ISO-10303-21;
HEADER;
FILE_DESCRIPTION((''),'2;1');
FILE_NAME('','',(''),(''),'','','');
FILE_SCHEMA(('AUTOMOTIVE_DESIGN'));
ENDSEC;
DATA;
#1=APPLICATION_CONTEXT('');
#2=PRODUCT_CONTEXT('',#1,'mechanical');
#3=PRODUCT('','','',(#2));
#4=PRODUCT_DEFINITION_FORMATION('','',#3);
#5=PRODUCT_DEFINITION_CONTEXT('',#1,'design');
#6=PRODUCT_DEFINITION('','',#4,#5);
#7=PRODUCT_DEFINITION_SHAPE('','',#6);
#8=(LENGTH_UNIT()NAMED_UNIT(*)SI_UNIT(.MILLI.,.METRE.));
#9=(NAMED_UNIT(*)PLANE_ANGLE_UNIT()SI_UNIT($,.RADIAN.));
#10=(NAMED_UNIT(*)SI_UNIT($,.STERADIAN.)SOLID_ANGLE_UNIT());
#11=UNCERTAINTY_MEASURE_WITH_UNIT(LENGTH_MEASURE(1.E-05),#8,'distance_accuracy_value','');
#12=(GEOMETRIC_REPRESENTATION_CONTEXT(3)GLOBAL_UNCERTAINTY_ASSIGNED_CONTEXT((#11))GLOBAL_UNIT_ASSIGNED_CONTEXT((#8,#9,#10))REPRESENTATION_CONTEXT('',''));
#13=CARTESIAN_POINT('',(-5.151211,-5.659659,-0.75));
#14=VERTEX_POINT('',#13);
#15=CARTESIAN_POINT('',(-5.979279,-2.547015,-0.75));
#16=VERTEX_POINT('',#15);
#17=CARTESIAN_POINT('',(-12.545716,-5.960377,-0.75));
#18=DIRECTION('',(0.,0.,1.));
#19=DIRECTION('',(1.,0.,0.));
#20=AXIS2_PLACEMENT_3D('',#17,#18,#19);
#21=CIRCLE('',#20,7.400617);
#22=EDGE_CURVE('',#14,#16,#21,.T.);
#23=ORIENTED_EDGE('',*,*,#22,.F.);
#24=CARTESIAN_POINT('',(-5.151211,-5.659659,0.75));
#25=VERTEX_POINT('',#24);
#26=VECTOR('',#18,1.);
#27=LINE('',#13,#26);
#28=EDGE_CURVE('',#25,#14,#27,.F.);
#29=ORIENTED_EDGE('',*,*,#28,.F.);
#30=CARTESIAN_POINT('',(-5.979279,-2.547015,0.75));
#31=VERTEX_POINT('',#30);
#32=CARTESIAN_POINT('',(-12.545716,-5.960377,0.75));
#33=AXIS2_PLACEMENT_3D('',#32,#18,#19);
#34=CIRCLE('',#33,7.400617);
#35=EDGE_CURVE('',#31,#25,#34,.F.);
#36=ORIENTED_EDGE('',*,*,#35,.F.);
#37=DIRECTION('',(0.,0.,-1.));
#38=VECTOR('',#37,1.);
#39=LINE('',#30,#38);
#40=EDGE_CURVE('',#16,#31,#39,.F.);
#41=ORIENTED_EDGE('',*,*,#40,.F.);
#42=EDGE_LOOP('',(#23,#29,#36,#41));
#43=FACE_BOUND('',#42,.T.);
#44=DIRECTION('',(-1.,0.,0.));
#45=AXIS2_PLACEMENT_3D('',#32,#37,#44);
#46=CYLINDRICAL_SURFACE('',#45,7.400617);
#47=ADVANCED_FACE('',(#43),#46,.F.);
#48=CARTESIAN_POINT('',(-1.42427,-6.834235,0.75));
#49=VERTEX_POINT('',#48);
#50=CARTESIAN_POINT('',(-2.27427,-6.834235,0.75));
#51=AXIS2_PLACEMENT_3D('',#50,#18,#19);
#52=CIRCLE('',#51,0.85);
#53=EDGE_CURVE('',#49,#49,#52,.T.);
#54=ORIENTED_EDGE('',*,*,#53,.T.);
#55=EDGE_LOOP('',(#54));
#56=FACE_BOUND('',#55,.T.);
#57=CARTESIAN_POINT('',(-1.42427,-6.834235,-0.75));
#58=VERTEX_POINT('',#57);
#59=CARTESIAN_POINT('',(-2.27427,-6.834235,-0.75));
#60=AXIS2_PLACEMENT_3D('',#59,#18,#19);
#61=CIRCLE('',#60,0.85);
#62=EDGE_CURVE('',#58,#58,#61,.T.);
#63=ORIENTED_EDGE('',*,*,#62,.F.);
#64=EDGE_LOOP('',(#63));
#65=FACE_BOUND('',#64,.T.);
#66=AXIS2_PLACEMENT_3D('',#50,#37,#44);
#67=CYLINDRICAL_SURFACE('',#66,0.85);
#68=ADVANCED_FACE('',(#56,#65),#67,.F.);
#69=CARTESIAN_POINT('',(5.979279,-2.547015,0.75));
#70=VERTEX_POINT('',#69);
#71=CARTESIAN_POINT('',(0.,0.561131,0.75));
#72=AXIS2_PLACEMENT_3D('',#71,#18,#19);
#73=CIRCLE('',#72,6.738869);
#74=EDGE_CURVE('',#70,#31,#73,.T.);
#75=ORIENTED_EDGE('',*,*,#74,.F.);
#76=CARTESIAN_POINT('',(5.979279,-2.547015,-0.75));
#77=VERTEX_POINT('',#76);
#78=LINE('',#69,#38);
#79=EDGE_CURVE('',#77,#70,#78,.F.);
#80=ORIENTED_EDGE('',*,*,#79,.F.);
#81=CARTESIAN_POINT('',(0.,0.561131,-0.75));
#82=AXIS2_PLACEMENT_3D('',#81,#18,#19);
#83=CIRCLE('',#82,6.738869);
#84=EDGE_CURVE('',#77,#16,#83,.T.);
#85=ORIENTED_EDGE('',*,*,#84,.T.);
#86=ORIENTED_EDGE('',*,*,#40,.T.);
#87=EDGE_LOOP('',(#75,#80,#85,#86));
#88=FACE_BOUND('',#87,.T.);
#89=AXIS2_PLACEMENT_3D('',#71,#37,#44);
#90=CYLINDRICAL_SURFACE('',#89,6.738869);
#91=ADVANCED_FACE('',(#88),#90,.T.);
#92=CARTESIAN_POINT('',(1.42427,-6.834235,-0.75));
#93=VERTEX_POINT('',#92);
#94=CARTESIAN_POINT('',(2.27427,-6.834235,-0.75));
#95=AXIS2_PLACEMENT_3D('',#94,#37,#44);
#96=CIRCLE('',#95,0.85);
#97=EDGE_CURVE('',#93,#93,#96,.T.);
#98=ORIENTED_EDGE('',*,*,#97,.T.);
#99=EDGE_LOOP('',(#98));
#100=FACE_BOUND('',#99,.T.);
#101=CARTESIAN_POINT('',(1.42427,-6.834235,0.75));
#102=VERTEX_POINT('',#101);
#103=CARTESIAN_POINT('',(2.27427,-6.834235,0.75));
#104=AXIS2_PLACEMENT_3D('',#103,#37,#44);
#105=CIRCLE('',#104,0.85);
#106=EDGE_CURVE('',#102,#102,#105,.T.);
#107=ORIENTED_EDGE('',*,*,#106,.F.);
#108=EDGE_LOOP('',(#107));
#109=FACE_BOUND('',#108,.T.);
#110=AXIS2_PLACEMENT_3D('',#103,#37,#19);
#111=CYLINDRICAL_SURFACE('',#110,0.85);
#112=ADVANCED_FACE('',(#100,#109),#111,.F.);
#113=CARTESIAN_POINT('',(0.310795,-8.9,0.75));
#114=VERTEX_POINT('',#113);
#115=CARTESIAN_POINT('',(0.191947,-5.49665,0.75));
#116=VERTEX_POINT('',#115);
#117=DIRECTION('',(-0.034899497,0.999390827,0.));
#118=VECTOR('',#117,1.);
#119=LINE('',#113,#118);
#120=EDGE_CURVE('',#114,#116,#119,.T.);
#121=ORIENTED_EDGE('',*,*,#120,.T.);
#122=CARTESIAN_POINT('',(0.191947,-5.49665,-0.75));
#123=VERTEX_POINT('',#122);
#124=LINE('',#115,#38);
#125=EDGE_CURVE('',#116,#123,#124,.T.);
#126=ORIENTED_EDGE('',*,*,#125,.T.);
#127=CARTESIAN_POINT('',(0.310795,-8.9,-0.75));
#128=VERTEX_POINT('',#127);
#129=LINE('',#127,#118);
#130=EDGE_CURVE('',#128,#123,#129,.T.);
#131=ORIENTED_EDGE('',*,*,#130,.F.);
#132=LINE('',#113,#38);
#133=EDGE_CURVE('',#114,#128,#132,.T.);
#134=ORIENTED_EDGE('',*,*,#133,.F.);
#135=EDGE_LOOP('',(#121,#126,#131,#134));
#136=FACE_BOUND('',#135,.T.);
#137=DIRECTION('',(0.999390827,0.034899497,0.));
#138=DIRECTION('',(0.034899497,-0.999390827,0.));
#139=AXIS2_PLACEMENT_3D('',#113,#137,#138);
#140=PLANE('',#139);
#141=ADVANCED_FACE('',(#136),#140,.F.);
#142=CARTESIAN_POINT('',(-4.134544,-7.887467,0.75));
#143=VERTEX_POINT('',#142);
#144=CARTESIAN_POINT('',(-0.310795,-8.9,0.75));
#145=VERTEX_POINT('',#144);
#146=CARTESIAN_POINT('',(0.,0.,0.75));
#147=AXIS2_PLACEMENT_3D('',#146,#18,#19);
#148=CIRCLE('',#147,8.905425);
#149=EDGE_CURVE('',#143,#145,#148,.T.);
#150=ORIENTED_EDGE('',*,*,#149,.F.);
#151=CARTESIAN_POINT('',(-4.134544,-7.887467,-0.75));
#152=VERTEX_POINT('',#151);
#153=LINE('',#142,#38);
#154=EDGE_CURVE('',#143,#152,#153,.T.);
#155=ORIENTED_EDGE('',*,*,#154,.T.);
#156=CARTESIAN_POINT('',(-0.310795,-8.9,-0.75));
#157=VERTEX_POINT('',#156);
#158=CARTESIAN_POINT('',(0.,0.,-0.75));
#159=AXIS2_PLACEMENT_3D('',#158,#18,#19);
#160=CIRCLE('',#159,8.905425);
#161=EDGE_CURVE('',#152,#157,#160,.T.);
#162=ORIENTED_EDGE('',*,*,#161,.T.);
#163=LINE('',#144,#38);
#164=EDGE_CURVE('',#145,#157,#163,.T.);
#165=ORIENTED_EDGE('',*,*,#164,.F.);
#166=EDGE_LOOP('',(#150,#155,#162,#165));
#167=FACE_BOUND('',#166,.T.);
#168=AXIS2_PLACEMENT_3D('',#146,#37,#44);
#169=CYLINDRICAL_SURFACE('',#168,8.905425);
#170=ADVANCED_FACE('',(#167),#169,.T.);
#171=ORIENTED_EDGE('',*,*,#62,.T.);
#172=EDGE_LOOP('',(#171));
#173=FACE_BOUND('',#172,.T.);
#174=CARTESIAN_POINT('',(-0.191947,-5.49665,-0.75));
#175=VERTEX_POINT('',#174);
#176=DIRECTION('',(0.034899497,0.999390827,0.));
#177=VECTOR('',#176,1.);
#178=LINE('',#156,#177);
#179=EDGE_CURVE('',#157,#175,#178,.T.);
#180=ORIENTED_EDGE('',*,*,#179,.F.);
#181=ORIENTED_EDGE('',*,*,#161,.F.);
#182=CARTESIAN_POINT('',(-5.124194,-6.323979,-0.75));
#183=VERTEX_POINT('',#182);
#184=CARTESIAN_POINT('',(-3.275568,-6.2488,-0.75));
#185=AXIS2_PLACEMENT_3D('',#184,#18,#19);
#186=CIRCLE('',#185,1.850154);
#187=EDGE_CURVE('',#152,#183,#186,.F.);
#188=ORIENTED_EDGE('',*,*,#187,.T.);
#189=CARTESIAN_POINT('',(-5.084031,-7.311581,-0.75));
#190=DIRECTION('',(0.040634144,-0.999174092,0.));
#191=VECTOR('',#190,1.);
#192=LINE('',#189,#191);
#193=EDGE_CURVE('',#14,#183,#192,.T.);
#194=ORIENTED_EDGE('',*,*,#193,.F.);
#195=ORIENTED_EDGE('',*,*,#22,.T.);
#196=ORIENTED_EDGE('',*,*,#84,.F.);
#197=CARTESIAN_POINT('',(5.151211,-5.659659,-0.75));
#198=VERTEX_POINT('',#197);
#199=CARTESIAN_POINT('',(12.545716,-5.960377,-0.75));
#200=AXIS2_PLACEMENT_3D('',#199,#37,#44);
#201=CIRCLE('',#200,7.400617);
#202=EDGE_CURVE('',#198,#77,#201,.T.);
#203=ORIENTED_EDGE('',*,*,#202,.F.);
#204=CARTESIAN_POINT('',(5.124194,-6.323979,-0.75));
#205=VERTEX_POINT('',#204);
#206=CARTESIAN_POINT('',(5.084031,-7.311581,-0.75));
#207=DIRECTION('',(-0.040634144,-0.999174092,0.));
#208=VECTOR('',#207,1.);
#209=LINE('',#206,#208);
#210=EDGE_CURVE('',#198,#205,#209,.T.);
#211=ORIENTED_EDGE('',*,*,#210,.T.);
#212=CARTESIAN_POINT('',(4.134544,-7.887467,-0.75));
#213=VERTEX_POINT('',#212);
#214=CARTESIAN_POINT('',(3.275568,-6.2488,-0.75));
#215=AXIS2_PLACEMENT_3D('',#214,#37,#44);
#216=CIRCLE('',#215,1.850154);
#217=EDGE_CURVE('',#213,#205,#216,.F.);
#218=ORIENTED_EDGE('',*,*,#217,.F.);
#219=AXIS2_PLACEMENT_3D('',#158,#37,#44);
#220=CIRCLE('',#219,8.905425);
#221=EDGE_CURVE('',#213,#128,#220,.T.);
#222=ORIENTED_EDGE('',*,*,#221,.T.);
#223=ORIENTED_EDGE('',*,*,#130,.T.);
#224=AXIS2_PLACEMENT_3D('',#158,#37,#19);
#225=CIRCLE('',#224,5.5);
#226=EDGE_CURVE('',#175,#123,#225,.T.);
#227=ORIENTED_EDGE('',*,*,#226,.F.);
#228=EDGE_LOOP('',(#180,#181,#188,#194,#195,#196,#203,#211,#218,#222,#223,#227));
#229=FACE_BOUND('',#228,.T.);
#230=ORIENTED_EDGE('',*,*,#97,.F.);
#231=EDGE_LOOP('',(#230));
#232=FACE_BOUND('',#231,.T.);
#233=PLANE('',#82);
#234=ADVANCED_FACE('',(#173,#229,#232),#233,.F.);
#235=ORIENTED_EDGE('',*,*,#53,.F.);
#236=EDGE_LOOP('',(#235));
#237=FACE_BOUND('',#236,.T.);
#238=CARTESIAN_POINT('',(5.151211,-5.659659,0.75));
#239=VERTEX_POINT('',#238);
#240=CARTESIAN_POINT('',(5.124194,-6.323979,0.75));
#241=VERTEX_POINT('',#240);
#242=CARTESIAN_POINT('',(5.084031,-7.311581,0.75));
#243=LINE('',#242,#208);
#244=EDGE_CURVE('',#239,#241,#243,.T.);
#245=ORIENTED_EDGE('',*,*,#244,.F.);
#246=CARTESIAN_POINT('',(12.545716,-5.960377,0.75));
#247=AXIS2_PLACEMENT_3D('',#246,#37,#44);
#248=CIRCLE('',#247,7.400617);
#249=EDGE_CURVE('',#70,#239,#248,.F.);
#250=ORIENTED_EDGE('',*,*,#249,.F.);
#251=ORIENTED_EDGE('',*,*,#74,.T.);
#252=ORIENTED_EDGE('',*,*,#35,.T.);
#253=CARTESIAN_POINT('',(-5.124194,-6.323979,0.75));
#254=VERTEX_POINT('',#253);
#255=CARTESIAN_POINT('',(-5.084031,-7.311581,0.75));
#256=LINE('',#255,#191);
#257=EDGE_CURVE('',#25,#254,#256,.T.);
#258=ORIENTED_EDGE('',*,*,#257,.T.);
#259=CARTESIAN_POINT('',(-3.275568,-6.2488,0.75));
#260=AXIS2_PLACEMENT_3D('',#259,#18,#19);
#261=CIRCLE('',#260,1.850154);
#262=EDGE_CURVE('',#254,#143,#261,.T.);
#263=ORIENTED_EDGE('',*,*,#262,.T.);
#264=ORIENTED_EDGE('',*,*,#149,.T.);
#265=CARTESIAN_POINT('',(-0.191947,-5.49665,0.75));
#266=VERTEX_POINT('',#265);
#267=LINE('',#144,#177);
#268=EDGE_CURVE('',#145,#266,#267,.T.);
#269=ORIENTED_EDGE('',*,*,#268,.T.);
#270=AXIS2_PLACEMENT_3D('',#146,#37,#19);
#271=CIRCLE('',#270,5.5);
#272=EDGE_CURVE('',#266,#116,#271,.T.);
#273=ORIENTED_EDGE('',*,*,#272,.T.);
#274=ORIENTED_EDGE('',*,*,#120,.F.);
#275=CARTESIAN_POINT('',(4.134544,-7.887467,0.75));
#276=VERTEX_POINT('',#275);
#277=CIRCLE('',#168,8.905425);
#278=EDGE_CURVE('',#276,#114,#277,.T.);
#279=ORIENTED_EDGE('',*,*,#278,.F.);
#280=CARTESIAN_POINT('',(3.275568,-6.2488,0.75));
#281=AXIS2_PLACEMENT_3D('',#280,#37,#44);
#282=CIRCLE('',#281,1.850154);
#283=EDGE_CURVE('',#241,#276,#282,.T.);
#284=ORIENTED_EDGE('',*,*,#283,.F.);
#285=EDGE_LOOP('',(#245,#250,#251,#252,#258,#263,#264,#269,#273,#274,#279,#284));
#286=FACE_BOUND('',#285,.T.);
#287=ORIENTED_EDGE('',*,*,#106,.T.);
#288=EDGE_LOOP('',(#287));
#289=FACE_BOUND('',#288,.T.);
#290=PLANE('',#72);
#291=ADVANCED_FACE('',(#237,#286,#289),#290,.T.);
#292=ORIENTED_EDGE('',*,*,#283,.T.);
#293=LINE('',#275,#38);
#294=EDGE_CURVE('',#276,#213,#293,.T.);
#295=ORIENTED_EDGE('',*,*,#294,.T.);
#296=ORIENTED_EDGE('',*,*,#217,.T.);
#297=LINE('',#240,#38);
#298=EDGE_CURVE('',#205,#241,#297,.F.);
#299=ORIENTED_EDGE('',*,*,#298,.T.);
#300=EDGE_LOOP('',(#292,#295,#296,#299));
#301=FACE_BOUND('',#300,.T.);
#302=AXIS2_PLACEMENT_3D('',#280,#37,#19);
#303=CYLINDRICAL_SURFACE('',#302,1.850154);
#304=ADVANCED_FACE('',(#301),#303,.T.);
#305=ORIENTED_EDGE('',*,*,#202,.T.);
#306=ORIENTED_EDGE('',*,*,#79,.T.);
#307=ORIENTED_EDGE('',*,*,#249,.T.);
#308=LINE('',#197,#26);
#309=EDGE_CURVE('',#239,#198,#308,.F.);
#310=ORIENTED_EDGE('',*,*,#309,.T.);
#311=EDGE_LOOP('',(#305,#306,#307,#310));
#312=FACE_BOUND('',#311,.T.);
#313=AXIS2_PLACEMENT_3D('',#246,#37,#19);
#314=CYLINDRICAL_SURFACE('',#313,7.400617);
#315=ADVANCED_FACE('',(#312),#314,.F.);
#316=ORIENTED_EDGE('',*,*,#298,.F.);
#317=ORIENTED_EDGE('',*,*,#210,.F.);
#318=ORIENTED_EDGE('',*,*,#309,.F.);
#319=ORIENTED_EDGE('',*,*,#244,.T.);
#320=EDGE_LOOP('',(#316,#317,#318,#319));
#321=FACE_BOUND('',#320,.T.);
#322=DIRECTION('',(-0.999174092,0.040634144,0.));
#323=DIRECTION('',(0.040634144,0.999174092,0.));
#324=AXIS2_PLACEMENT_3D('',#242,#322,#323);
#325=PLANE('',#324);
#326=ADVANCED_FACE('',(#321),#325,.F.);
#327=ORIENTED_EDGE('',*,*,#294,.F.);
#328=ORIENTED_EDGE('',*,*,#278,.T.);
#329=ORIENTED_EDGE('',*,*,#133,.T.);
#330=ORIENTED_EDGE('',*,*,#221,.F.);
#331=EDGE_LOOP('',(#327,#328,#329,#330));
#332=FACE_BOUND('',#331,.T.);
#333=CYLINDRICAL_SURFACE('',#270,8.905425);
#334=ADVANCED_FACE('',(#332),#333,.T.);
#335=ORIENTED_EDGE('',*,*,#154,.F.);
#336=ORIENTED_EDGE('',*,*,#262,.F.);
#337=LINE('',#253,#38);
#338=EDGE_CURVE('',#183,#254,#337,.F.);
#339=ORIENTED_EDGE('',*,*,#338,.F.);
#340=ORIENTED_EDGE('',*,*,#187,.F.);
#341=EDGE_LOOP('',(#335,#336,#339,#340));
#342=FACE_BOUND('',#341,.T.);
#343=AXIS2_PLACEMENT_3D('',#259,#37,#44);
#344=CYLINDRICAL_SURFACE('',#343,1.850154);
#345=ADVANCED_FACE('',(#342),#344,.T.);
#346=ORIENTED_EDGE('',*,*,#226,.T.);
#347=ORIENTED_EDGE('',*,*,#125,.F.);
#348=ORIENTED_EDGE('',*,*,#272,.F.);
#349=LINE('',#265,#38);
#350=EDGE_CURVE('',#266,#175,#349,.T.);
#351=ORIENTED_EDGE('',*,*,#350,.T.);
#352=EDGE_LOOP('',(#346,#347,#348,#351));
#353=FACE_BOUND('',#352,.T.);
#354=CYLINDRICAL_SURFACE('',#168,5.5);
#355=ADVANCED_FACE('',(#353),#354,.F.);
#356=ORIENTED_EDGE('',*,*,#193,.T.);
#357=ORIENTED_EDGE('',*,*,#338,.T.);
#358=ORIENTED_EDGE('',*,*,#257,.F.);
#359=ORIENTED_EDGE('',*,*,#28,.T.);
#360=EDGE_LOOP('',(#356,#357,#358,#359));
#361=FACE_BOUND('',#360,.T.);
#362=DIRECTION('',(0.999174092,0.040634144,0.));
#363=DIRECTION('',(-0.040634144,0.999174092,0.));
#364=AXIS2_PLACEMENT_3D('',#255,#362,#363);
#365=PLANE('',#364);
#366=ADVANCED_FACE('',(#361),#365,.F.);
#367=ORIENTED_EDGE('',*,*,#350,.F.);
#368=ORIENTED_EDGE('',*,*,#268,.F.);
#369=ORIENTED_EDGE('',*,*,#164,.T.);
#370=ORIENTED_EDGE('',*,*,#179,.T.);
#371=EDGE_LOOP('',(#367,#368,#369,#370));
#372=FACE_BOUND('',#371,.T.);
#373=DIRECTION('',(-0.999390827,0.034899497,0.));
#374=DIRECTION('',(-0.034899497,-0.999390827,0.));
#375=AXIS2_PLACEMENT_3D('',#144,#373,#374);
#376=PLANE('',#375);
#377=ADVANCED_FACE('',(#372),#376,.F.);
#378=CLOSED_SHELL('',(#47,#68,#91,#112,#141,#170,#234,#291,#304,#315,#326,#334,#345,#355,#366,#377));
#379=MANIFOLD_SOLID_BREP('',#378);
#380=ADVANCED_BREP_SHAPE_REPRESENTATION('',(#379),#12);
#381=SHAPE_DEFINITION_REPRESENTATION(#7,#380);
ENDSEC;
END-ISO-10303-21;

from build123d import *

# Parameters (mm, degrees)
SKETCH2_R           = 0.85
BOSS_EXTRUDE1_DEPTH = 0.75
FILLET1_R           = 7.400617123
FILLET2_R           = 1.850154281


with BuildPart() as part:
    # Sketch2 → Boss-Extrude1 (new body, symmetric)
    with BuildSketch(Plane.XY):
        with BuildLine():
            Line((-5.084030917, -7.311581435), (-5.231445397, -3.68673013))
            ThreePointArc((-5.231445397, -3.68673013), (-6.08432946, 3.458247986), (0, 7.3))
            Line((0, 7.3), (0, 5.5))
            ThreePointArc((0, 5.5), (-5.499162323, 0.095988235), (-0.191947232, -5.496649549))
            Line((-0.191947232, -5.496649549), (-0.310794848, -8.9))
            ThreePointArc((-0.310794848, -8.9), (-2.811904096, -8.449839572), (-5.084030917, -7.311581435))
        make_face()
        with Locations((-2.274269541, -6.834234779)):
            Circle(SKETCH2_R, mode=Mode.SUBTRACT)
    extrude(amount=BOSS_EXTRUDE1_DEPTH, both=True)

    # Fillet1
    fillet1_edges = [part.edges().sort_by_distance(p)[0] for p in [
        (-5.231445397, -3.68673013, 0),
    ]]
    fillet(fillet1_edges, radius=FILLET1_R)

    # Fillet2
    fillet2_edges = [part.edges().sort_by_distance(p)[0] for p in [
        (-5.084030917, -7.311581435, 0),
    ]]
    fillet(fillet2_edges, radius=FILLET2_R)

    # Mirror1: part across plane


with BuildPart() as part_1:
    add(part.part)
    add(part.part.mirror(Plane(origin=(0, 7.3, 0.75), x_dir=(0, 0, 1), z_dir=(-1, 0, 0))))


solid = part_1.part
